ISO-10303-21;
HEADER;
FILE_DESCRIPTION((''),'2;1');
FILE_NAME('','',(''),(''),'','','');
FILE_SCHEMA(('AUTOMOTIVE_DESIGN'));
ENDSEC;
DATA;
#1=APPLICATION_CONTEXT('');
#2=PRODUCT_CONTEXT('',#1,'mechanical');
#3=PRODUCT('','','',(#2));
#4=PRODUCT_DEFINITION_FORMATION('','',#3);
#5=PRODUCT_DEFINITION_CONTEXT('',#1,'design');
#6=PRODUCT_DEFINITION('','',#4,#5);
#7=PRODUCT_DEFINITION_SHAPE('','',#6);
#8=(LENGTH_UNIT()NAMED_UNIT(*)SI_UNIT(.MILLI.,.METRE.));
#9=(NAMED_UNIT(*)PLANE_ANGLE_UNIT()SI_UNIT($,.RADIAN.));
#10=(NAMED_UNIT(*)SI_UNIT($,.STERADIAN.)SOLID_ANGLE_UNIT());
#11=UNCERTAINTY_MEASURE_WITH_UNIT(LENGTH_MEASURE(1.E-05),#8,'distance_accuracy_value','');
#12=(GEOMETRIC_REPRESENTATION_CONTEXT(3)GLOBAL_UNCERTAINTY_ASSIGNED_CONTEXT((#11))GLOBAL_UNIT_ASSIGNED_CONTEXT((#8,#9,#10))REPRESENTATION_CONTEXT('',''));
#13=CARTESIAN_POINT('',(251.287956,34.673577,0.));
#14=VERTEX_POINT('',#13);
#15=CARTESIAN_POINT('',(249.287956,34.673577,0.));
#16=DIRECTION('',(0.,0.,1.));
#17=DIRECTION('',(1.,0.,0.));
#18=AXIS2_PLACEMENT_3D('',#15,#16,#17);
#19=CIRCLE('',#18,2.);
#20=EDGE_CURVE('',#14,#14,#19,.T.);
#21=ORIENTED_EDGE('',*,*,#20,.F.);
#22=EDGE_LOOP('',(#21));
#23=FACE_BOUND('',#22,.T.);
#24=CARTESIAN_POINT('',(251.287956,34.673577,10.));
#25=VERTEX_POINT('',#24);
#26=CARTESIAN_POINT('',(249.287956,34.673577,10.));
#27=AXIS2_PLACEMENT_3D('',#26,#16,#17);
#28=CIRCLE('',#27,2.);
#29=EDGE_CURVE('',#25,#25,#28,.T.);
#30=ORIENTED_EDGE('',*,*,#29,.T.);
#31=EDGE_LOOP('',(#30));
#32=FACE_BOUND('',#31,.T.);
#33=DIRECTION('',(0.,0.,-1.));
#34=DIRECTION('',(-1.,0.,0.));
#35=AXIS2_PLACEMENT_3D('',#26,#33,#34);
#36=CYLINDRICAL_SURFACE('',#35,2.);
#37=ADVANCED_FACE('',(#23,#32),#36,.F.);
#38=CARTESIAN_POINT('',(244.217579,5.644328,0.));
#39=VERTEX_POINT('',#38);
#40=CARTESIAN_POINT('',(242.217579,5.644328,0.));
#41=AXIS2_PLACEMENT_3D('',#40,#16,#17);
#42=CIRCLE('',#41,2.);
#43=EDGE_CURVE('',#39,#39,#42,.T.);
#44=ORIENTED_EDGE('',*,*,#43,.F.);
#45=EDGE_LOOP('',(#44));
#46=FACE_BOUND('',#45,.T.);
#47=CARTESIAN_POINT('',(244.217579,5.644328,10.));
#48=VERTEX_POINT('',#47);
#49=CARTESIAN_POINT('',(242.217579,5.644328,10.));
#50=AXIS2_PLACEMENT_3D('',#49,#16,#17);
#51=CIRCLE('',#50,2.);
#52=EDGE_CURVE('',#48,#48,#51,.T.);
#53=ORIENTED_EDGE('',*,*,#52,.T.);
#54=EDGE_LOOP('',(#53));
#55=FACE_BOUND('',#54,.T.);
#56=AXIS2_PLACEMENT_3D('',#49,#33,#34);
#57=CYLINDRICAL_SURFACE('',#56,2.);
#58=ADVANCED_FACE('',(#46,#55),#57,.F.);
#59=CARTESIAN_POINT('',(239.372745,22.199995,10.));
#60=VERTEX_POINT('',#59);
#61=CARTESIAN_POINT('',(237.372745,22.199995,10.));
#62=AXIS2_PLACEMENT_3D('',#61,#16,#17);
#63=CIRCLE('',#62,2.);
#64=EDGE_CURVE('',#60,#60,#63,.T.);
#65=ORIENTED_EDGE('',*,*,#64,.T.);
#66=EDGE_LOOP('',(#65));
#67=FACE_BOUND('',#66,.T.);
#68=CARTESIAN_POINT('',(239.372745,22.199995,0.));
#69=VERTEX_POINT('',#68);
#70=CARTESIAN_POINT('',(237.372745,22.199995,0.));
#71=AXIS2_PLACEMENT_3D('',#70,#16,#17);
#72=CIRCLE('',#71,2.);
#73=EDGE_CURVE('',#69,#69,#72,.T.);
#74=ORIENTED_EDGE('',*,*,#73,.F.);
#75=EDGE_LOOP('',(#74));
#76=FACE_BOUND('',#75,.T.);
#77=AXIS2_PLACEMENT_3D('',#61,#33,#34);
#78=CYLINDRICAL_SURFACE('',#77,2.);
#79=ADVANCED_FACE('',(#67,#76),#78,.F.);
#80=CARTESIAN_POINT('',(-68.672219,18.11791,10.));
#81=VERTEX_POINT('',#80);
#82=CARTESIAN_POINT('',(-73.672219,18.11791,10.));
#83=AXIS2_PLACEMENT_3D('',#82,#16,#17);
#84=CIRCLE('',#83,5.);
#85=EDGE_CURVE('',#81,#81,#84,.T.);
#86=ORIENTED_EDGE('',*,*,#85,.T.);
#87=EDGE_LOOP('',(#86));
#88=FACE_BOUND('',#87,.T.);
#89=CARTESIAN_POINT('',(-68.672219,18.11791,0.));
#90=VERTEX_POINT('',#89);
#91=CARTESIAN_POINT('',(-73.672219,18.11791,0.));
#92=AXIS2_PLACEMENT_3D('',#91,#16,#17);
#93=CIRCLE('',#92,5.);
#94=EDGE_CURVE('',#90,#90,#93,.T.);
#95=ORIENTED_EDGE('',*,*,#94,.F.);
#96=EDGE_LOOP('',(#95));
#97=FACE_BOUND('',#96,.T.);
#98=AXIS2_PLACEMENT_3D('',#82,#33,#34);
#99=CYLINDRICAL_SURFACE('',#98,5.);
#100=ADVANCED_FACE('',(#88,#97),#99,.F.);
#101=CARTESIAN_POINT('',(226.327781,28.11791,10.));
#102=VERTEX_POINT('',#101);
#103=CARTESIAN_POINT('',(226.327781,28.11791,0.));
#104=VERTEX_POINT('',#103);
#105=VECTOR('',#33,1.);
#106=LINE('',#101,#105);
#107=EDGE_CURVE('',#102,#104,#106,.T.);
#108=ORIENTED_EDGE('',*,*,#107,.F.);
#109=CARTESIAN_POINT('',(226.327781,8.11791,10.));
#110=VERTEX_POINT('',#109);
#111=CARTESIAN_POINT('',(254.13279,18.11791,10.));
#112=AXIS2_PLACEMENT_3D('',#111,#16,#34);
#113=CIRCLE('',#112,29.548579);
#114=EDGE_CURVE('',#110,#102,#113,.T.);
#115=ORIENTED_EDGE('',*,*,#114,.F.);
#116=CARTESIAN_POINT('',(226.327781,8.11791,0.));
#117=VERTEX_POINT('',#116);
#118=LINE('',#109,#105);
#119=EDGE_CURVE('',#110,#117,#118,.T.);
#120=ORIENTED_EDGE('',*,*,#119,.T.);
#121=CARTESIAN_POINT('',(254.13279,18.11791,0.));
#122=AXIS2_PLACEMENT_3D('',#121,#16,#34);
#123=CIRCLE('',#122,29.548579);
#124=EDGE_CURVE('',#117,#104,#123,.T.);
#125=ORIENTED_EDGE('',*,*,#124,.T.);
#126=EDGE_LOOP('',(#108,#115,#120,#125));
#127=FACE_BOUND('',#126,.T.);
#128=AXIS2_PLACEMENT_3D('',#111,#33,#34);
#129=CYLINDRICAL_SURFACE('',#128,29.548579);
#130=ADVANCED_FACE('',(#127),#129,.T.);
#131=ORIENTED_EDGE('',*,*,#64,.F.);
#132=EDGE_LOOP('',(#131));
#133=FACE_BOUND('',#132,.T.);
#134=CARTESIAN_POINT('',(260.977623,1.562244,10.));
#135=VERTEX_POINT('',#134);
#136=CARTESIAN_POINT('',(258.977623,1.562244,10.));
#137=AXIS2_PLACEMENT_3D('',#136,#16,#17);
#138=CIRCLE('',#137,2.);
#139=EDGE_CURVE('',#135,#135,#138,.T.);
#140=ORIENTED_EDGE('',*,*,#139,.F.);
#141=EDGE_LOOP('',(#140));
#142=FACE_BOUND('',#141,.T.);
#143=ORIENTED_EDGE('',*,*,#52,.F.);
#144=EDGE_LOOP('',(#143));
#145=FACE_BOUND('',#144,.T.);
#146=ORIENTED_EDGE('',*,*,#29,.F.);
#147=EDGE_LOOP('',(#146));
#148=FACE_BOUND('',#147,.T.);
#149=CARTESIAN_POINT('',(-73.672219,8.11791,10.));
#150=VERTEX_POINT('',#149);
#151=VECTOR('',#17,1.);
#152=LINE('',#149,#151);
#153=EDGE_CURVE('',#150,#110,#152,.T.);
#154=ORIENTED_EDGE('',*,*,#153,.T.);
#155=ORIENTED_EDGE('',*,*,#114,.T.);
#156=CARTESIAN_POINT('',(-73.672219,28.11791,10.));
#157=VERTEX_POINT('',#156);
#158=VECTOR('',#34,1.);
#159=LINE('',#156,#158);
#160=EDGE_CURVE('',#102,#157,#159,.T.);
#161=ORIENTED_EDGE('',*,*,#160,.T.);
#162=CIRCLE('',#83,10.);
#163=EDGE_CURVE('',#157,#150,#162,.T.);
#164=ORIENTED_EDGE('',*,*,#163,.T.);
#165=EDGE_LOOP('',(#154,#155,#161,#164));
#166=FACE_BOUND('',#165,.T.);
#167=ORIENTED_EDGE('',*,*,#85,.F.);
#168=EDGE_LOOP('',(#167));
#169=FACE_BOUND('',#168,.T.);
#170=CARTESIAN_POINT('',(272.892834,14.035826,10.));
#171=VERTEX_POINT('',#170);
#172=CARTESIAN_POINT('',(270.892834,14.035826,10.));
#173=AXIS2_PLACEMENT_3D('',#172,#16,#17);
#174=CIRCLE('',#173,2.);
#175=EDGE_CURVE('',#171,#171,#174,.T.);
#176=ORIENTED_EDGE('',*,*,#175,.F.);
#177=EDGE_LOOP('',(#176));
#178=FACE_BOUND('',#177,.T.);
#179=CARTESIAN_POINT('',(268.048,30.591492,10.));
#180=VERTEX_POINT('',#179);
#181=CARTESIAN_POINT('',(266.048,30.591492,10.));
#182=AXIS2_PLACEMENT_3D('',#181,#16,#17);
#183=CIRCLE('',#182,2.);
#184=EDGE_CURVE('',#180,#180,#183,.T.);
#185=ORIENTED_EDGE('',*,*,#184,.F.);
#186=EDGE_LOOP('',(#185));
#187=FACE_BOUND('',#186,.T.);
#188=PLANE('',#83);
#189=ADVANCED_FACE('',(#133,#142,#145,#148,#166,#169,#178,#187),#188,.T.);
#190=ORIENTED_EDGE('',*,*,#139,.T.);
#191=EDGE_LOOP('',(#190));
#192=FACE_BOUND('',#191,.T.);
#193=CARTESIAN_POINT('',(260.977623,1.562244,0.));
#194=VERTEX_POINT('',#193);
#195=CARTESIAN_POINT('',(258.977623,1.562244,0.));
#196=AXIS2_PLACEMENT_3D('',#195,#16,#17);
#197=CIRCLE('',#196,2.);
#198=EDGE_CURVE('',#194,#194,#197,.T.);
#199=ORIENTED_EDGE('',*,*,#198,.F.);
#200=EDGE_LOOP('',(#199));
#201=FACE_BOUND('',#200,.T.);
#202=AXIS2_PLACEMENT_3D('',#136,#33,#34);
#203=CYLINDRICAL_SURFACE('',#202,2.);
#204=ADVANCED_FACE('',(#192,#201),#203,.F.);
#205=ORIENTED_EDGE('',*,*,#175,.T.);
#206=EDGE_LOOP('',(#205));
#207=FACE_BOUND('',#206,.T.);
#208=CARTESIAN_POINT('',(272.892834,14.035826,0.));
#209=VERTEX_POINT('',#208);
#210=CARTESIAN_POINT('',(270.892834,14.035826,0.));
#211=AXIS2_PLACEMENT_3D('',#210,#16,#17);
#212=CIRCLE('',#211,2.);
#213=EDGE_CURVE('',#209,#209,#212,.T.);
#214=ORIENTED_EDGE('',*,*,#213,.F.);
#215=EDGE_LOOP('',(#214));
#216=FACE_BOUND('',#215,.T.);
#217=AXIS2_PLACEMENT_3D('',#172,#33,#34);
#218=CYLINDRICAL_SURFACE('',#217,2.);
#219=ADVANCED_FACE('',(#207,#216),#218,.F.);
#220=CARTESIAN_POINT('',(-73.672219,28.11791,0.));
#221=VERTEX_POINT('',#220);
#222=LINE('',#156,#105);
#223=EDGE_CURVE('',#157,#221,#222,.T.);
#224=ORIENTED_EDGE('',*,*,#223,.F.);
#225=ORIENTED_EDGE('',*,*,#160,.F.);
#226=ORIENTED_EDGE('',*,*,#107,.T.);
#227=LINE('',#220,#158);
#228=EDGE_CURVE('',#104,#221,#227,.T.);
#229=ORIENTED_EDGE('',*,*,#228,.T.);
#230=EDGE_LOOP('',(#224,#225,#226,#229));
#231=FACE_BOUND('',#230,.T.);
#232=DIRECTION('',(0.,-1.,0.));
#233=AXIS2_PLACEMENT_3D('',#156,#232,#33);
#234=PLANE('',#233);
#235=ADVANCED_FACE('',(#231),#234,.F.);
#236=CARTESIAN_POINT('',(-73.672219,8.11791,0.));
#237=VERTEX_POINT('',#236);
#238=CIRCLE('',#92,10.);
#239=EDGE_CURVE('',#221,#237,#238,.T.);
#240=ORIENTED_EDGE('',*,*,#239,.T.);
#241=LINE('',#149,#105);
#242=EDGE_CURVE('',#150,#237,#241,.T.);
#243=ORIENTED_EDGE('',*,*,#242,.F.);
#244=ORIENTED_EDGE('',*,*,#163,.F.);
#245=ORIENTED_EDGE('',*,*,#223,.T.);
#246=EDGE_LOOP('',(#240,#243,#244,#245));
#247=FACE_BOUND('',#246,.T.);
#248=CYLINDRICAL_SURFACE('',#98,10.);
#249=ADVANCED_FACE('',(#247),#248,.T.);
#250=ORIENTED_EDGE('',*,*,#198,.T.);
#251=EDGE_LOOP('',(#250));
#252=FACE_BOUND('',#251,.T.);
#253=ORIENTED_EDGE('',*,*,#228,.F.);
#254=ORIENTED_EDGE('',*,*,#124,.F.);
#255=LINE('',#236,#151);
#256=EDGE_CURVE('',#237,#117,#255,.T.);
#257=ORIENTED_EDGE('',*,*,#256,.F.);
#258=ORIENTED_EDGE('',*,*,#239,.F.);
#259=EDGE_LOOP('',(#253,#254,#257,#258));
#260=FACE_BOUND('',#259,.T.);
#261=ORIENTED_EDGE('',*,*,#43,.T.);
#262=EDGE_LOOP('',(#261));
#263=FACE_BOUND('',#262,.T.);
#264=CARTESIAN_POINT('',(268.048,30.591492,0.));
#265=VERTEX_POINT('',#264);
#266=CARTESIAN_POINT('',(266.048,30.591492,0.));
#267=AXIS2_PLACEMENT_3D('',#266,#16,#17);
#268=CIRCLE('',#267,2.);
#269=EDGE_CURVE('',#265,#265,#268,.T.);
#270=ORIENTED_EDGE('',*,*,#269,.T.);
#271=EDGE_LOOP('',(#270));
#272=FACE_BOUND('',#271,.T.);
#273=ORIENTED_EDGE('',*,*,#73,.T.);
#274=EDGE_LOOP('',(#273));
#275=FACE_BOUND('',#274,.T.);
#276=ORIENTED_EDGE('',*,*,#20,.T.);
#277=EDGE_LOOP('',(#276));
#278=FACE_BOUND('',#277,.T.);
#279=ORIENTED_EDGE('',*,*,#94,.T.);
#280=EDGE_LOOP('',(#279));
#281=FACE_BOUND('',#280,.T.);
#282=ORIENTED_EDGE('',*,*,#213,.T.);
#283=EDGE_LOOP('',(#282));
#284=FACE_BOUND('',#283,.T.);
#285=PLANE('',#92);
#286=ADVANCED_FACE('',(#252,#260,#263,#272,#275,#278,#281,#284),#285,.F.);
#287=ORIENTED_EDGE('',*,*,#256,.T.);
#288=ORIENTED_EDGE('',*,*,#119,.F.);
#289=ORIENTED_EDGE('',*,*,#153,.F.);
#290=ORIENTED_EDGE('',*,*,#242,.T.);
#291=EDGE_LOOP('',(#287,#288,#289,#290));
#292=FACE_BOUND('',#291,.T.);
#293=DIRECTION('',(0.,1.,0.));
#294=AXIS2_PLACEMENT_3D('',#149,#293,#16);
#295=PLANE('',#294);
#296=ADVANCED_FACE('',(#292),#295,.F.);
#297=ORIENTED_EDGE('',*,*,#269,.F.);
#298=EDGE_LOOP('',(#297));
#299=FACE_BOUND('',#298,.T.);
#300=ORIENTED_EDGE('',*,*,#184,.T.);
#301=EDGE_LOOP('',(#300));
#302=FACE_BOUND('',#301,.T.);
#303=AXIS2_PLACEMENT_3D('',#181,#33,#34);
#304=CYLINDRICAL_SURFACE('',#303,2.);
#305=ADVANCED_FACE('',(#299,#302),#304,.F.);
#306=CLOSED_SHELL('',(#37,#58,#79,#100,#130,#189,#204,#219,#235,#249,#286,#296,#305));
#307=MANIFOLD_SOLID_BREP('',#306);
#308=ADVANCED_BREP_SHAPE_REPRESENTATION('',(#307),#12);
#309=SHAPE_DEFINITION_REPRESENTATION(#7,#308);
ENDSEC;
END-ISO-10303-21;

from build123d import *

# Parameters (mm, degrees)
SKETCH_1_R      = 5
SKETCH_1_R_2    = 2
EXTRUDE_1_DEPTH = 10


with BuildPart() as part:
    # 草图1 → 凸台-拉伸1 (new body)
    with BuildSketch(Plane.XY):
        with BuildLine():
            Line((-73.672218906, 28.117910377), (226.327781094, 28.117910377))
            ThreePointArc((226.327781094, 28.117910377), (283.681368031, 18.117910377), (226.327781094, 8.117910377))
            Line((226.327781094, 8.117910377), (-73.672218906, 8.117910377))
            ThreePointArc((-73.672218906, 8.117910377), (-83.672218906, 18.117910377), (-73.672218906, 28.117910377))
        make_face()
        with Locations((-73.672218906, 18.117910377)):
            Circle(SKETCH_1_R, mode=Mode.SUBTRACT)
        with Locations((249.287955983, 34.673576722)):
            Circle(SKETCH_1_R_2, mode=Mode.SUBTRACT)
        with Locations((266.048000376, 30.591492458)):
            Circle(SKETCH_1_R_2, mode=Mode.SUBTRACT)
        with Locations((270.8928339, 14.035826113)):
            Circle(SKETCH_1_R_2, mode=Mode.SUBTRACT)
        with Locations((258.97762303, 1.562244032)):
            Circle(SKETCH_1_R_2, mode=Mode.SUBTRACT)
        with Locations((242.217578637, 5.644328296)):
            Circle(SKETCH_1_R_2, mode=Mode.SUBTRACT)
        with Locations((237.372745113, 22.199994641)):
            Circle(SKETCH_1_R_2, mode=Mode.SUBTRACT)
    extrude(amount=EXTRUDE_1_DEPTH)


solid = part.part
